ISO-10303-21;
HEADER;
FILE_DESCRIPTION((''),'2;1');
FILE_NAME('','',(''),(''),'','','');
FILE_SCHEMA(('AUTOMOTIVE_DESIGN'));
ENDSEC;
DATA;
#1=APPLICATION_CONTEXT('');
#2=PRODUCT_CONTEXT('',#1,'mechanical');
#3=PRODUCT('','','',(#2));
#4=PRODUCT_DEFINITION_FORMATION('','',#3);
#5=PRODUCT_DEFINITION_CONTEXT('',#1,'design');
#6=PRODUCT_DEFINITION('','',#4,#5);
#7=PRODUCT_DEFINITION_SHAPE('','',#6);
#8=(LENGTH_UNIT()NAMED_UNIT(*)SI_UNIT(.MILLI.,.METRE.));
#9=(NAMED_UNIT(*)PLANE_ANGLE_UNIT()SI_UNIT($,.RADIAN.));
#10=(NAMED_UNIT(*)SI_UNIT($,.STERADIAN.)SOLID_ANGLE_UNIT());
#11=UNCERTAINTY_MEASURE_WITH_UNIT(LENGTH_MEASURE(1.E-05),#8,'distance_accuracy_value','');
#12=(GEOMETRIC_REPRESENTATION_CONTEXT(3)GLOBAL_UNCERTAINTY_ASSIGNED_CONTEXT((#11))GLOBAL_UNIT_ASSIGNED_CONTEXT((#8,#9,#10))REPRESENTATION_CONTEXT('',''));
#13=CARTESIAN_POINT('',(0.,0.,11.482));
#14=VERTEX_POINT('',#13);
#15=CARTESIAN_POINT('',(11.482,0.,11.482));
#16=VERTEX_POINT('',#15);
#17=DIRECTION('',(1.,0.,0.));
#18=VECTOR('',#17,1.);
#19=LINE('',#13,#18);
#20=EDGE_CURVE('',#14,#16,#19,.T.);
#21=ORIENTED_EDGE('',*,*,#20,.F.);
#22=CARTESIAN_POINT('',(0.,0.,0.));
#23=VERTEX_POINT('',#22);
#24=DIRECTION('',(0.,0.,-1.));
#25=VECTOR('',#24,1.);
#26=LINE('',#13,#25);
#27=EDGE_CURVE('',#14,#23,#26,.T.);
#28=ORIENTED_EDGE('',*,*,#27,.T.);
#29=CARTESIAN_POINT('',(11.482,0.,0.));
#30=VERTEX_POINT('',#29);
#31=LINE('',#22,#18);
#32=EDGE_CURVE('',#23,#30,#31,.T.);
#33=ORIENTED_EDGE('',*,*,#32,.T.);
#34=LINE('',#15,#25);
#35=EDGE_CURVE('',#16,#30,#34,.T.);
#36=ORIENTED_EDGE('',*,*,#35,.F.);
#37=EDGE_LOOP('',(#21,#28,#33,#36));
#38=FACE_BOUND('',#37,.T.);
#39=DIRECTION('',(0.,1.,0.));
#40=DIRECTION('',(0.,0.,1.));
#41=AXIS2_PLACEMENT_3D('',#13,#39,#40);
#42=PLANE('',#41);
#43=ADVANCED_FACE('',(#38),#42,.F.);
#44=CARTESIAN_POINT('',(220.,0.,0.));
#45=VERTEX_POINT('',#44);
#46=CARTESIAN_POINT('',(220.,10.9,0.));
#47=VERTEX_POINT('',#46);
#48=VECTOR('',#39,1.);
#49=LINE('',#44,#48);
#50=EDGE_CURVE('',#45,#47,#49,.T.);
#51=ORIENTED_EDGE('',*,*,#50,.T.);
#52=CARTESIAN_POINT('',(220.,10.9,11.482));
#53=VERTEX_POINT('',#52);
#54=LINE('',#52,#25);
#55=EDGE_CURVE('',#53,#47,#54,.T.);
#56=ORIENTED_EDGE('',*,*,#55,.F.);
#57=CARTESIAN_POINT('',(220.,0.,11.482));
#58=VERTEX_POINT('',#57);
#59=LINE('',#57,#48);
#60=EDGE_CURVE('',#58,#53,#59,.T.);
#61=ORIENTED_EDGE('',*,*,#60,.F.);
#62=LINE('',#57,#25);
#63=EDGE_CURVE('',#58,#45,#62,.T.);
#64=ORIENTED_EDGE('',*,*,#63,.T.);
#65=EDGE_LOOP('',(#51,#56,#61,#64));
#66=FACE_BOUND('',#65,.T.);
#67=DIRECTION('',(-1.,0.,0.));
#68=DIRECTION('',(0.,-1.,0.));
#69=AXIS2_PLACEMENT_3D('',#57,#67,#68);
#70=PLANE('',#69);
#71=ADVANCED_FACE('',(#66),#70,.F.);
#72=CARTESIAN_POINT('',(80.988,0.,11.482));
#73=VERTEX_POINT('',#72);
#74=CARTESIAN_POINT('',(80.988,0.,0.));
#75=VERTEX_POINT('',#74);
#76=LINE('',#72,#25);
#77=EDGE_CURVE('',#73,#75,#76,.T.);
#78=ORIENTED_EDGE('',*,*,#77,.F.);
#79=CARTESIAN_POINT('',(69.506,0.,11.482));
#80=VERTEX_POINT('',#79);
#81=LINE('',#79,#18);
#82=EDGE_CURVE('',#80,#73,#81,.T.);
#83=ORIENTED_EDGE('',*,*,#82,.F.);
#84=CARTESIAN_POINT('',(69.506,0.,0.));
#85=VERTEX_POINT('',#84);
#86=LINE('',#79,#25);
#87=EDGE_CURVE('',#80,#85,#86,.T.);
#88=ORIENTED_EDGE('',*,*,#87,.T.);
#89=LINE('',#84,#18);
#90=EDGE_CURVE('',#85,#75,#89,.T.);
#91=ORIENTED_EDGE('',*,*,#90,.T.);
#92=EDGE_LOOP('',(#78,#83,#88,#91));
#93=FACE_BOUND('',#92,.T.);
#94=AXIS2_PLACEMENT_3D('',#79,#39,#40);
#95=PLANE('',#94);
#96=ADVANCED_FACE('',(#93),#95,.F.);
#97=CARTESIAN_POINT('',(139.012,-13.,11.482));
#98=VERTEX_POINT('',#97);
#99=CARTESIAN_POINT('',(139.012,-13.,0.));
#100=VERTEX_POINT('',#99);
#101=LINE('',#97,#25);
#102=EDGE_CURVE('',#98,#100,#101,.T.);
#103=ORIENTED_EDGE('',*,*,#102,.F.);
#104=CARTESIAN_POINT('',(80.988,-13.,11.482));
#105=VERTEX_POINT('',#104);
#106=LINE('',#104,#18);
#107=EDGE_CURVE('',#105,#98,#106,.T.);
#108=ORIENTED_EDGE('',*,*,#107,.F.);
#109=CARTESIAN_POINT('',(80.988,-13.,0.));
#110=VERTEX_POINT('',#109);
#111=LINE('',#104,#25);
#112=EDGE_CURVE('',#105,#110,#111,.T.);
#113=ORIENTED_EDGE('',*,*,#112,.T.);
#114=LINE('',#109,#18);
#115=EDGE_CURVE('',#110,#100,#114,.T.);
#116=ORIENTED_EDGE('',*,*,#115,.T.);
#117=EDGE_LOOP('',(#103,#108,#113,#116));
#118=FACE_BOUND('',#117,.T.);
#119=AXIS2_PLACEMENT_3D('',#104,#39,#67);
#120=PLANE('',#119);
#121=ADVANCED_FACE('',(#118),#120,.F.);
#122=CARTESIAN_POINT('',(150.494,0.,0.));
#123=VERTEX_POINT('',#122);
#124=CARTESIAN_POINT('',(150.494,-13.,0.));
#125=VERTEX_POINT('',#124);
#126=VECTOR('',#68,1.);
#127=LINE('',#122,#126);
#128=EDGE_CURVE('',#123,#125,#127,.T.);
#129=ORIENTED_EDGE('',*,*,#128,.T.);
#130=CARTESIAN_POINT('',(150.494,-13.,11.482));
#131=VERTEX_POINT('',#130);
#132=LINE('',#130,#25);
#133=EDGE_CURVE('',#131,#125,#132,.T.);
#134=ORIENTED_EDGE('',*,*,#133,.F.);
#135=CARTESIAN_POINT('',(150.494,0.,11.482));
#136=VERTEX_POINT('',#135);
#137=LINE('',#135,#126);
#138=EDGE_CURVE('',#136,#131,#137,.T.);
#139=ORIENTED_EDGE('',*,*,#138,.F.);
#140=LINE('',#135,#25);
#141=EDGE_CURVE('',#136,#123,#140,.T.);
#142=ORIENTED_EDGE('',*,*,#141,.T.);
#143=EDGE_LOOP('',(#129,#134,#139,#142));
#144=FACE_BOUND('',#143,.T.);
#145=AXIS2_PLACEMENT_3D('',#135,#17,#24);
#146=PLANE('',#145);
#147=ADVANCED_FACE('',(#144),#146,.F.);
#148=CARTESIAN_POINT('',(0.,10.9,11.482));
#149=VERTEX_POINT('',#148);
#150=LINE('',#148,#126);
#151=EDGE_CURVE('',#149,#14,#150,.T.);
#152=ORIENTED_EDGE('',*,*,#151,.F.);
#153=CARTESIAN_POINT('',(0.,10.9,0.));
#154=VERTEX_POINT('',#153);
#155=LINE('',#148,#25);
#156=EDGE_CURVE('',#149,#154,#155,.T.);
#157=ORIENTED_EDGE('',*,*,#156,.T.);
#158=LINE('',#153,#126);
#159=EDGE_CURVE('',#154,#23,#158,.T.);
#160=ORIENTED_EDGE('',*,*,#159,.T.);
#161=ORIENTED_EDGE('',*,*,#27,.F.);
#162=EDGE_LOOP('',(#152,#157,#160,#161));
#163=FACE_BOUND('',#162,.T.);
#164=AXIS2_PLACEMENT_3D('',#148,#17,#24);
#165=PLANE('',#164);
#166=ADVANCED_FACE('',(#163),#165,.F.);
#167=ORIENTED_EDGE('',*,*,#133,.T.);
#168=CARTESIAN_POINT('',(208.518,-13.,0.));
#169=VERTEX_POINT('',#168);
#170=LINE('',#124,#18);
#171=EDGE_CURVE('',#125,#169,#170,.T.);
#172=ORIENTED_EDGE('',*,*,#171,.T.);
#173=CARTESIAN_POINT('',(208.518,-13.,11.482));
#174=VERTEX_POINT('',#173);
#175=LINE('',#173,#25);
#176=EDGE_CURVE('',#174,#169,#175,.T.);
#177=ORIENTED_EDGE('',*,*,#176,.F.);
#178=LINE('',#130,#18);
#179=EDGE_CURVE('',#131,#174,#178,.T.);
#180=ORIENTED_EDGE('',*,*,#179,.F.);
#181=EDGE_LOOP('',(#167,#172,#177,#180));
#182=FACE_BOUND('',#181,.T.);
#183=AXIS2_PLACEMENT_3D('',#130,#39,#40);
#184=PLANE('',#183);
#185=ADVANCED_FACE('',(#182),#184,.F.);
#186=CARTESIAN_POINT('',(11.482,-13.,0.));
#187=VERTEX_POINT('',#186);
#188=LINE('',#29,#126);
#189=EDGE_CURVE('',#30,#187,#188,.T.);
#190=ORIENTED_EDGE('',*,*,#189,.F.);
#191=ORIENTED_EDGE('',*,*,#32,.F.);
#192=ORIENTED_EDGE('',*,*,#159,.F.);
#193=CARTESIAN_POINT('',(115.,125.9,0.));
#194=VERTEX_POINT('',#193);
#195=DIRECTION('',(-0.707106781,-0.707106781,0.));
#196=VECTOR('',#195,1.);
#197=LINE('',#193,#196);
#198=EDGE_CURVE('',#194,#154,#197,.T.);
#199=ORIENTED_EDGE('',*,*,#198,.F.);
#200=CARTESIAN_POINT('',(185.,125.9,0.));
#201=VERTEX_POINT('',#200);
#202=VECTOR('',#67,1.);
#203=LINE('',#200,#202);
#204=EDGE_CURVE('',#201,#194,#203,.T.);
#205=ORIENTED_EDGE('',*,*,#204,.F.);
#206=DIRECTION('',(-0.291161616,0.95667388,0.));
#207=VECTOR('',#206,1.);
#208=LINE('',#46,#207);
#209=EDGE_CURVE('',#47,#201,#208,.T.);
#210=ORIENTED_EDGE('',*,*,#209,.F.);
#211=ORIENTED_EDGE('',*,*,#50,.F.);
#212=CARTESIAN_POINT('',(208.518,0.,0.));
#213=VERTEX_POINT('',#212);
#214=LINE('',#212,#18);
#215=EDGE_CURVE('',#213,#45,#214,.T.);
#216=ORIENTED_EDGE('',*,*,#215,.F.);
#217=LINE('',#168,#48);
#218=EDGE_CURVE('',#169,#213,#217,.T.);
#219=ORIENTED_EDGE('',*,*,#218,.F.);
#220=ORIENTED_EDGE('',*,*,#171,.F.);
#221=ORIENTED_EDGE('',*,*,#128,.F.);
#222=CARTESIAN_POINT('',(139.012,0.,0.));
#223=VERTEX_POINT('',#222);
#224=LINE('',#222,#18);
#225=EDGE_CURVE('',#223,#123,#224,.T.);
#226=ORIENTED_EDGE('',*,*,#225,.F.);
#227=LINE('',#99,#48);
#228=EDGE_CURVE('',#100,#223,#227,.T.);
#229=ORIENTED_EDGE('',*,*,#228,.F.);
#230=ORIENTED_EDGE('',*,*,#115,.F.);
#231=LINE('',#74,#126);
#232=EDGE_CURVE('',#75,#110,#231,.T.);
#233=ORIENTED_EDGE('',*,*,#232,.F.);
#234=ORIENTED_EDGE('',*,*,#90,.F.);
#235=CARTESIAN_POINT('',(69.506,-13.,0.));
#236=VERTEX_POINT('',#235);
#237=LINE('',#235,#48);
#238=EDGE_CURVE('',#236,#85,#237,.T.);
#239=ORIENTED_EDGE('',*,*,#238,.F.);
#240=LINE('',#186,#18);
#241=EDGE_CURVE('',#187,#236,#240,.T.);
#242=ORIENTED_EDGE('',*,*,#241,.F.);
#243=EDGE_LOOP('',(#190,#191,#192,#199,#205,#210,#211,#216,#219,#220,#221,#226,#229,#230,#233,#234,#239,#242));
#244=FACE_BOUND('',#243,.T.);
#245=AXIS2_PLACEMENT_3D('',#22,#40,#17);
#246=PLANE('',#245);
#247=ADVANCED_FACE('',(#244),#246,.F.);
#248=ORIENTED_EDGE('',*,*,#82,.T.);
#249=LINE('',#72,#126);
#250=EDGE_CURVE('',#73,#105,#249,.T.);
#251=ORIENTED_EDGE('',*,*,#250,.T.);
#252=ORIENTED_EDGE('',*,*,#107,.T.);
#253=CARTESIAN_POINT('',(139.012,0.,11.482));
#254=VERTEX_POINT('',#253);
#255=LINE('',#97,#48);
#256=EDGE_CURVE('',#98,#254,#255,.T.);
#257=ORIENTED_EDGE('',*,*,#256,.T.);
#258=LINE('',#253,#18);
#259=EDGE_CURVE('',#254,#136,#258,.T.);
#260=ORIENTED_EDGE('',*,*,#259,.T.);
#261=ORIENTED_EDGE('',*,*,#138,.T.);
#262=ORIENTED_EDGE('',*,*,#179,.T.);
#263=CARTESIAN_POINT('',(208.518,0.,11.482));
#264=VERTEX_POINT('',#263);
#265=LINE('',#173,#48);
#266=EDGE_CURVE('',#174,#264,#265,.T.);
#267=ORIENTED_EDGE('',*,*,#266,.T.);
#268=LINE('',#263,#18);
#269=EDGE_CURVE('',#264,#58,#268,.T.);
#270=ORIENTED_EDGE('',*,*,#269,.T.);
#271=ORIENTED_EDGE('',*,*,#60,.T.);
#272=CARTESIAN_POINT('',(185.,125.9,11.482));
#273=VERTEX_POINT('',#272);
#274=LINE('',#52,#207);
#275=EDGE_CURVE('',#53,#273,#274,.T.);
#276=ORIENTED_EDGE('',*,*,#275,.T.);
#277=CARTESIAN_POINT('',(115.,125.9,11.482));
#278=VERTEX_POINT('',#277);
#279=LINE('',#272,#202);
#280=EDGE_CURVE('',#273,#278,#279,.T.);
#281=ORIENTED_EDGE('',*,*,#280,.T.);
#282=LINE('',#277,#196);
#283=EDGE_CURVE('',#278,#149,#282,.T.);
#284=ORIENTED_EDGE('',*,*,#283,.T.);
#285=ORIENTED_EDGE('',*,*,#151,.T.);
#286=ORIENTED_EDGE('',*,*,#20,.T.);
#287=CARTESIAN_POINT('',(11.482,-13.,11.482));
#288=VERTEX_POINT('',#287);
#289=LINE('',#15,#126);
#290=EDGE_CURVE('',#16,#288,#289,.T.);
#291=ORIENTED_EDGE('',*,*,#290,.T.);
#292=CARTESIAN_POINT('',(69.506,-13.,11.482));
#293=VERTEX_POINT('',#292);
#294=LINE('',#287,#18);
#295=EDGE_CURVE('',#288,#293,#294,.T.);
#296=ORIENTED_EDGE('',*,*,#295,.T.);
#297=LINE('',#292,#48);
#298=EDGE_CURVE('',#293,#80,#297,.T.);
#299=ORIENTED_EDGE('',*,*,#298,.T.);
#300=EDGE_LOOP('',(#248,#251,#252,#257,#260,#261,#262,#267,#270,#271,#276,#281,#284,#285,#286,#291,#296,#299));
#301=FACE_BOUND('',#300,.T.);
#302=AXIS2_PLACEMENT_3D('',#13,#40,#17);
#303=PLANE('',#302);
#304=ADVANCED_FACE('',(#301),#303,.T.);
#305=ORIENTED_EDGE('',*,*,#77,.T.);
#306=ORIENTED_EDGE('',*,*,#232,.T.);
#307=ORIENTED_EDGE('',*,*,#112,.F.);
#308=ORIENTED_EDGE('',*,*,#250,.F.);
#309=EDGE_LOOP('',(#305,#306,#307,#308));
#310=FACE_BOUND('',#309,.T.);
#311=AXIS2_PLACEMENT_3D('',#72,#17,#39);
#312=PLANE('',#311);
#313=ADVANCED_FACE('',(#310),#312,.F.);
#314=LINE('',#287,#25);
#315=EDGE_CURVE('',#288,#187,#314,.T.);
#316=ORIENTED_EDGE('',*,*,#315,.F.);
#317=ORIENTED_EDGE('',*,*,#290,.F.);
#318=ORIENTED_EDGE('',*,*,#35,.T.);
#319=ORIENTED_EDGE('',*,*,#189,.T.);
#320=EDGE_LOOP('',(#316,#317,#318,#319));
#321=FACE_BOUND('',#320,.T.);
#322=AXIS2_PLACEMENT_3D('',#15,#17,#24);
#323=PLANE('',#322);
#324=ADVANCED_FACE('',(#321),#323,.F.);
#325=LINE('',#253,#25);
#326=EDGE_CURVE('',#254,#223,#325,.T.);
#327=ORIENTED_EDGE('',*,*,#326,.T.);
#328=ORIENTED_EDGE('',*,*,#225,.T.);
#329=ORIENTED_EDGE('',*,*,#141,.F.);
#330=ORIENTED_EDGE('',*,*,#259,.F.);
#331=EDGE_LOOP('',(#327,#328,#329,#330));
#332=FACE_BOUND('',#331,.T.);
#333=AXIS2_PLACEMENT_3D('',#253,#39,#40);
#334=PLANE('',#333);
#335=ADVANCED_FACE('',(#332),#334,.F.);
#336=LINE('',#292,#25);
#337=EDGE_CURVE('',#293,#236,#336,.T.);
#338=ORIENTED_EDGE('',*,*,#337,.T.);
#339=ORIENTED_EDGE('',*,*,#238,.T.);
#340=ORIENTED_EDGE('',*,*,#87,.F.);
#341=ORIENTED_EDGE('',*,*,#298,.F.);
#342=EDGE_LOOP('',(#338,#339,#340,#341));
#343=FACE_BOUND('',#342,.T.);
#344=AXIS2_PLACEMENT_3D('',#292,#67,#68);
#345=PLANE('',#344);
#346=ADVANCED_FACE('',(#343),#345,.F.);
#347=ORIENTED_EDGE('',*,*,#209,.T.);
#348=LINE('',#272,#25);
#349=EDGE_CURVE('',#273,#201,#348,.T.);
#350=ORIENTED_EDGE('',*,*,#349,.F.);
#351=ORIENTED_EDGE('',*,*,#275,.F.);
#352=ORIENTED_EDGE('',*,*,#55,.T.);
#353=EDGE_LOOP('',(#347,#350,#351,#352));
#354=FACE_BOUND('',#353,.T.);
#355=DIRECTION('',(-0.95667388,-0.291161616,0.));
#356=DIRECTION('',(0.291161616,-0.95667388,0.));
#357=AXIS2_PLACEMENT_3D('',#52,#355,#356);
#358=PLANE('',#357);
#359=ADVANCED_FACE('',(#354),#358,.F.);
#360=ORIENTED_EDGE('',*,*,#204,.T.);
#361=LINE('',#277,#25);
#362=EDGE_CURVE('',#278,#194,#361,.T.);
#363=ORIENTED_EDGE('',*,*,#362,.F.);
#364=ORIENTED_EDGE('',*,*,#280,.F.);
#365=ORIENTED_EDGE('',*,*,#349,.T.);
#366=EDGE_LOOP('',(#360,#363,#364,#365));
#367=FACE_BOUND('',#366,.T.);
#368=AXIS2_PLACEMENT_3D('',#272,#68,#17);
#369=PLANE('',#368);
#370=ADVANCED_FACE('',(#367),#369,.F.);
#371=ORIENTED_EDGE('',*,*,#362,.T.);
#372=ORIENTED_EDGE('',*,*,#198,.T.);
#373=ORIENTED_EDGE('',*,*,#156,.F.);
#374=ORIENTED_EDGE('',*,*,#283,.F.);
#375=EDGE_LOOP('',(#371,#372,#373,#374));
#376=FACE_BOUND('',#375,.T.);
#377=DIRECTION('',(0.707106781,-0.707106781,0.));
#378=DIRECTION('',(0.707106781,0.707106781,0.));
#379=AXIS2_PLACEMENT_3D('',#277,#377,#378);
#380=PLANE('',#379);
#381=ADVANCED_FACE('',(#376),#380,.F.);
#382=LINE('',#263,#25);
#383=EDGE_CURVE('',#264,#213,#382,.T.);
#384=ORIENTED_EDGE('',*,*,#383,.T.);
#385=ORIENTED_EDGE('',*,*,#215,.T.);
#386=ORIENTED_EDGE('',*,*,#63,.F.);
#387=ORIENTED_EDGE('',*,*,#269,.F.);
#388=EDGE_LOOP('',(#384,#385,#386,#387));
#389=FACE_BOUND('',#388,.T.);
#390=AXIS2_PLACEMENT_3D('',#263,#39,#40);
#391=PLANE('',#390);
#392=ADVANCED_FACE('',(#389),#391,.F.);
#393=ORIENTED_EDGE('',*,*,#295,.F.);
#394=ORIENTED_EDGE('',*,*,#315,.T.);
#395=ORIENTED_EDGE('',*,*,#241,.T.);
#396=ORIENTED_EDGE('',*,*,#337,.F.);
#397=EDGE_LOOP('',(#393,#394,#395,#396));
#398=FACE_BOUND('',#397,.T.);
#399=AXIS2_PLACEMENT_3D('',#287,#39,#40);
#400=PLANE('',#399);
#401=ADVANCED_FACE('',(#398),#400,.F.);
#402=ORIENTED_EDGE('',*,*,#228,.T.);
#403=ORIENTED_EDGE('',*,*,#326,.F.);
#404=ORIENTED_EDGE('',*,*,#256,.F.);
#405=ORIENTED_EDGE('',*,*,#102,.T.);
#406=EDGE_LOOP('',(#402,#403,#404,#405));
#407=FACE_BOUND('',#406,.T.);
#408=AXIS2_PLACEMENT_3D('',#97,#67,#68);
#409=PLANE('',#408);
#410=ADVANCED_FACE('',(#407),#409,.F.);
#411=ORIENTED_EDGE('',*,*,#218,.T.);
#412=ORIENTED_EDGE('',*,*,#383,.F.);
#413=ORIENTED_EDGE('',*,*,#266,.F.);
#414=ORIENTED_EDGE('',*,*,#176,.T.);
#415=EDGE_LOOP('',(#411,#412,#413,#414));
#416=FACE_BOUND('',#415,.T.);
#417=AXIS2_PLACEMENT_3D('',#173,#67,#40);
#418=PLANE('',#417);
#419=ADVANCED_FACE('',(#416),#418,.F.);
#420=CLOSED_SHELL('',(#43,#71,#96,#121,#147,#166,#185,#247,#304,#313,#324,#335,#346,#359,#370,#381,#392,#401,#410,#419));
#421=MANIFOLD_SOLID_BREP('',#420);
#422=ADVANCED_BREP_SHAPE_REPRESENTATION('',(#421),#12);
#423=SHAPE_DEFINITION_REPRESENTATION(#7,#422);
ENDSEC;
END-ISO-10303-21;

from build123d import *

# Parameters (mm, degrees)
BOSS_EXTRUDE1_DEPTH = 11.482


with BuildPart() as part:
    # Sketch1 → Boss-Extrude1 (new body)
    with BuildSketch(Plane.XY):
        Polygon((0, 0), (11.482, 0), (11.482, -13), (69.506, -13), (69.506, 0), (80.988, 0), (80.988, -13), (139.012, -13), (139.012, 0), (150.494, 0), (150.494, -13), (208.518, -13), (208.518, 0), (220, 0), (220, 10.9), (185, 125.9), (115, 125.9), (0, 10.9), align=None)
    extrude(amount=BOSS_EXTRUDE1_DEPTH)


solid = part.part
